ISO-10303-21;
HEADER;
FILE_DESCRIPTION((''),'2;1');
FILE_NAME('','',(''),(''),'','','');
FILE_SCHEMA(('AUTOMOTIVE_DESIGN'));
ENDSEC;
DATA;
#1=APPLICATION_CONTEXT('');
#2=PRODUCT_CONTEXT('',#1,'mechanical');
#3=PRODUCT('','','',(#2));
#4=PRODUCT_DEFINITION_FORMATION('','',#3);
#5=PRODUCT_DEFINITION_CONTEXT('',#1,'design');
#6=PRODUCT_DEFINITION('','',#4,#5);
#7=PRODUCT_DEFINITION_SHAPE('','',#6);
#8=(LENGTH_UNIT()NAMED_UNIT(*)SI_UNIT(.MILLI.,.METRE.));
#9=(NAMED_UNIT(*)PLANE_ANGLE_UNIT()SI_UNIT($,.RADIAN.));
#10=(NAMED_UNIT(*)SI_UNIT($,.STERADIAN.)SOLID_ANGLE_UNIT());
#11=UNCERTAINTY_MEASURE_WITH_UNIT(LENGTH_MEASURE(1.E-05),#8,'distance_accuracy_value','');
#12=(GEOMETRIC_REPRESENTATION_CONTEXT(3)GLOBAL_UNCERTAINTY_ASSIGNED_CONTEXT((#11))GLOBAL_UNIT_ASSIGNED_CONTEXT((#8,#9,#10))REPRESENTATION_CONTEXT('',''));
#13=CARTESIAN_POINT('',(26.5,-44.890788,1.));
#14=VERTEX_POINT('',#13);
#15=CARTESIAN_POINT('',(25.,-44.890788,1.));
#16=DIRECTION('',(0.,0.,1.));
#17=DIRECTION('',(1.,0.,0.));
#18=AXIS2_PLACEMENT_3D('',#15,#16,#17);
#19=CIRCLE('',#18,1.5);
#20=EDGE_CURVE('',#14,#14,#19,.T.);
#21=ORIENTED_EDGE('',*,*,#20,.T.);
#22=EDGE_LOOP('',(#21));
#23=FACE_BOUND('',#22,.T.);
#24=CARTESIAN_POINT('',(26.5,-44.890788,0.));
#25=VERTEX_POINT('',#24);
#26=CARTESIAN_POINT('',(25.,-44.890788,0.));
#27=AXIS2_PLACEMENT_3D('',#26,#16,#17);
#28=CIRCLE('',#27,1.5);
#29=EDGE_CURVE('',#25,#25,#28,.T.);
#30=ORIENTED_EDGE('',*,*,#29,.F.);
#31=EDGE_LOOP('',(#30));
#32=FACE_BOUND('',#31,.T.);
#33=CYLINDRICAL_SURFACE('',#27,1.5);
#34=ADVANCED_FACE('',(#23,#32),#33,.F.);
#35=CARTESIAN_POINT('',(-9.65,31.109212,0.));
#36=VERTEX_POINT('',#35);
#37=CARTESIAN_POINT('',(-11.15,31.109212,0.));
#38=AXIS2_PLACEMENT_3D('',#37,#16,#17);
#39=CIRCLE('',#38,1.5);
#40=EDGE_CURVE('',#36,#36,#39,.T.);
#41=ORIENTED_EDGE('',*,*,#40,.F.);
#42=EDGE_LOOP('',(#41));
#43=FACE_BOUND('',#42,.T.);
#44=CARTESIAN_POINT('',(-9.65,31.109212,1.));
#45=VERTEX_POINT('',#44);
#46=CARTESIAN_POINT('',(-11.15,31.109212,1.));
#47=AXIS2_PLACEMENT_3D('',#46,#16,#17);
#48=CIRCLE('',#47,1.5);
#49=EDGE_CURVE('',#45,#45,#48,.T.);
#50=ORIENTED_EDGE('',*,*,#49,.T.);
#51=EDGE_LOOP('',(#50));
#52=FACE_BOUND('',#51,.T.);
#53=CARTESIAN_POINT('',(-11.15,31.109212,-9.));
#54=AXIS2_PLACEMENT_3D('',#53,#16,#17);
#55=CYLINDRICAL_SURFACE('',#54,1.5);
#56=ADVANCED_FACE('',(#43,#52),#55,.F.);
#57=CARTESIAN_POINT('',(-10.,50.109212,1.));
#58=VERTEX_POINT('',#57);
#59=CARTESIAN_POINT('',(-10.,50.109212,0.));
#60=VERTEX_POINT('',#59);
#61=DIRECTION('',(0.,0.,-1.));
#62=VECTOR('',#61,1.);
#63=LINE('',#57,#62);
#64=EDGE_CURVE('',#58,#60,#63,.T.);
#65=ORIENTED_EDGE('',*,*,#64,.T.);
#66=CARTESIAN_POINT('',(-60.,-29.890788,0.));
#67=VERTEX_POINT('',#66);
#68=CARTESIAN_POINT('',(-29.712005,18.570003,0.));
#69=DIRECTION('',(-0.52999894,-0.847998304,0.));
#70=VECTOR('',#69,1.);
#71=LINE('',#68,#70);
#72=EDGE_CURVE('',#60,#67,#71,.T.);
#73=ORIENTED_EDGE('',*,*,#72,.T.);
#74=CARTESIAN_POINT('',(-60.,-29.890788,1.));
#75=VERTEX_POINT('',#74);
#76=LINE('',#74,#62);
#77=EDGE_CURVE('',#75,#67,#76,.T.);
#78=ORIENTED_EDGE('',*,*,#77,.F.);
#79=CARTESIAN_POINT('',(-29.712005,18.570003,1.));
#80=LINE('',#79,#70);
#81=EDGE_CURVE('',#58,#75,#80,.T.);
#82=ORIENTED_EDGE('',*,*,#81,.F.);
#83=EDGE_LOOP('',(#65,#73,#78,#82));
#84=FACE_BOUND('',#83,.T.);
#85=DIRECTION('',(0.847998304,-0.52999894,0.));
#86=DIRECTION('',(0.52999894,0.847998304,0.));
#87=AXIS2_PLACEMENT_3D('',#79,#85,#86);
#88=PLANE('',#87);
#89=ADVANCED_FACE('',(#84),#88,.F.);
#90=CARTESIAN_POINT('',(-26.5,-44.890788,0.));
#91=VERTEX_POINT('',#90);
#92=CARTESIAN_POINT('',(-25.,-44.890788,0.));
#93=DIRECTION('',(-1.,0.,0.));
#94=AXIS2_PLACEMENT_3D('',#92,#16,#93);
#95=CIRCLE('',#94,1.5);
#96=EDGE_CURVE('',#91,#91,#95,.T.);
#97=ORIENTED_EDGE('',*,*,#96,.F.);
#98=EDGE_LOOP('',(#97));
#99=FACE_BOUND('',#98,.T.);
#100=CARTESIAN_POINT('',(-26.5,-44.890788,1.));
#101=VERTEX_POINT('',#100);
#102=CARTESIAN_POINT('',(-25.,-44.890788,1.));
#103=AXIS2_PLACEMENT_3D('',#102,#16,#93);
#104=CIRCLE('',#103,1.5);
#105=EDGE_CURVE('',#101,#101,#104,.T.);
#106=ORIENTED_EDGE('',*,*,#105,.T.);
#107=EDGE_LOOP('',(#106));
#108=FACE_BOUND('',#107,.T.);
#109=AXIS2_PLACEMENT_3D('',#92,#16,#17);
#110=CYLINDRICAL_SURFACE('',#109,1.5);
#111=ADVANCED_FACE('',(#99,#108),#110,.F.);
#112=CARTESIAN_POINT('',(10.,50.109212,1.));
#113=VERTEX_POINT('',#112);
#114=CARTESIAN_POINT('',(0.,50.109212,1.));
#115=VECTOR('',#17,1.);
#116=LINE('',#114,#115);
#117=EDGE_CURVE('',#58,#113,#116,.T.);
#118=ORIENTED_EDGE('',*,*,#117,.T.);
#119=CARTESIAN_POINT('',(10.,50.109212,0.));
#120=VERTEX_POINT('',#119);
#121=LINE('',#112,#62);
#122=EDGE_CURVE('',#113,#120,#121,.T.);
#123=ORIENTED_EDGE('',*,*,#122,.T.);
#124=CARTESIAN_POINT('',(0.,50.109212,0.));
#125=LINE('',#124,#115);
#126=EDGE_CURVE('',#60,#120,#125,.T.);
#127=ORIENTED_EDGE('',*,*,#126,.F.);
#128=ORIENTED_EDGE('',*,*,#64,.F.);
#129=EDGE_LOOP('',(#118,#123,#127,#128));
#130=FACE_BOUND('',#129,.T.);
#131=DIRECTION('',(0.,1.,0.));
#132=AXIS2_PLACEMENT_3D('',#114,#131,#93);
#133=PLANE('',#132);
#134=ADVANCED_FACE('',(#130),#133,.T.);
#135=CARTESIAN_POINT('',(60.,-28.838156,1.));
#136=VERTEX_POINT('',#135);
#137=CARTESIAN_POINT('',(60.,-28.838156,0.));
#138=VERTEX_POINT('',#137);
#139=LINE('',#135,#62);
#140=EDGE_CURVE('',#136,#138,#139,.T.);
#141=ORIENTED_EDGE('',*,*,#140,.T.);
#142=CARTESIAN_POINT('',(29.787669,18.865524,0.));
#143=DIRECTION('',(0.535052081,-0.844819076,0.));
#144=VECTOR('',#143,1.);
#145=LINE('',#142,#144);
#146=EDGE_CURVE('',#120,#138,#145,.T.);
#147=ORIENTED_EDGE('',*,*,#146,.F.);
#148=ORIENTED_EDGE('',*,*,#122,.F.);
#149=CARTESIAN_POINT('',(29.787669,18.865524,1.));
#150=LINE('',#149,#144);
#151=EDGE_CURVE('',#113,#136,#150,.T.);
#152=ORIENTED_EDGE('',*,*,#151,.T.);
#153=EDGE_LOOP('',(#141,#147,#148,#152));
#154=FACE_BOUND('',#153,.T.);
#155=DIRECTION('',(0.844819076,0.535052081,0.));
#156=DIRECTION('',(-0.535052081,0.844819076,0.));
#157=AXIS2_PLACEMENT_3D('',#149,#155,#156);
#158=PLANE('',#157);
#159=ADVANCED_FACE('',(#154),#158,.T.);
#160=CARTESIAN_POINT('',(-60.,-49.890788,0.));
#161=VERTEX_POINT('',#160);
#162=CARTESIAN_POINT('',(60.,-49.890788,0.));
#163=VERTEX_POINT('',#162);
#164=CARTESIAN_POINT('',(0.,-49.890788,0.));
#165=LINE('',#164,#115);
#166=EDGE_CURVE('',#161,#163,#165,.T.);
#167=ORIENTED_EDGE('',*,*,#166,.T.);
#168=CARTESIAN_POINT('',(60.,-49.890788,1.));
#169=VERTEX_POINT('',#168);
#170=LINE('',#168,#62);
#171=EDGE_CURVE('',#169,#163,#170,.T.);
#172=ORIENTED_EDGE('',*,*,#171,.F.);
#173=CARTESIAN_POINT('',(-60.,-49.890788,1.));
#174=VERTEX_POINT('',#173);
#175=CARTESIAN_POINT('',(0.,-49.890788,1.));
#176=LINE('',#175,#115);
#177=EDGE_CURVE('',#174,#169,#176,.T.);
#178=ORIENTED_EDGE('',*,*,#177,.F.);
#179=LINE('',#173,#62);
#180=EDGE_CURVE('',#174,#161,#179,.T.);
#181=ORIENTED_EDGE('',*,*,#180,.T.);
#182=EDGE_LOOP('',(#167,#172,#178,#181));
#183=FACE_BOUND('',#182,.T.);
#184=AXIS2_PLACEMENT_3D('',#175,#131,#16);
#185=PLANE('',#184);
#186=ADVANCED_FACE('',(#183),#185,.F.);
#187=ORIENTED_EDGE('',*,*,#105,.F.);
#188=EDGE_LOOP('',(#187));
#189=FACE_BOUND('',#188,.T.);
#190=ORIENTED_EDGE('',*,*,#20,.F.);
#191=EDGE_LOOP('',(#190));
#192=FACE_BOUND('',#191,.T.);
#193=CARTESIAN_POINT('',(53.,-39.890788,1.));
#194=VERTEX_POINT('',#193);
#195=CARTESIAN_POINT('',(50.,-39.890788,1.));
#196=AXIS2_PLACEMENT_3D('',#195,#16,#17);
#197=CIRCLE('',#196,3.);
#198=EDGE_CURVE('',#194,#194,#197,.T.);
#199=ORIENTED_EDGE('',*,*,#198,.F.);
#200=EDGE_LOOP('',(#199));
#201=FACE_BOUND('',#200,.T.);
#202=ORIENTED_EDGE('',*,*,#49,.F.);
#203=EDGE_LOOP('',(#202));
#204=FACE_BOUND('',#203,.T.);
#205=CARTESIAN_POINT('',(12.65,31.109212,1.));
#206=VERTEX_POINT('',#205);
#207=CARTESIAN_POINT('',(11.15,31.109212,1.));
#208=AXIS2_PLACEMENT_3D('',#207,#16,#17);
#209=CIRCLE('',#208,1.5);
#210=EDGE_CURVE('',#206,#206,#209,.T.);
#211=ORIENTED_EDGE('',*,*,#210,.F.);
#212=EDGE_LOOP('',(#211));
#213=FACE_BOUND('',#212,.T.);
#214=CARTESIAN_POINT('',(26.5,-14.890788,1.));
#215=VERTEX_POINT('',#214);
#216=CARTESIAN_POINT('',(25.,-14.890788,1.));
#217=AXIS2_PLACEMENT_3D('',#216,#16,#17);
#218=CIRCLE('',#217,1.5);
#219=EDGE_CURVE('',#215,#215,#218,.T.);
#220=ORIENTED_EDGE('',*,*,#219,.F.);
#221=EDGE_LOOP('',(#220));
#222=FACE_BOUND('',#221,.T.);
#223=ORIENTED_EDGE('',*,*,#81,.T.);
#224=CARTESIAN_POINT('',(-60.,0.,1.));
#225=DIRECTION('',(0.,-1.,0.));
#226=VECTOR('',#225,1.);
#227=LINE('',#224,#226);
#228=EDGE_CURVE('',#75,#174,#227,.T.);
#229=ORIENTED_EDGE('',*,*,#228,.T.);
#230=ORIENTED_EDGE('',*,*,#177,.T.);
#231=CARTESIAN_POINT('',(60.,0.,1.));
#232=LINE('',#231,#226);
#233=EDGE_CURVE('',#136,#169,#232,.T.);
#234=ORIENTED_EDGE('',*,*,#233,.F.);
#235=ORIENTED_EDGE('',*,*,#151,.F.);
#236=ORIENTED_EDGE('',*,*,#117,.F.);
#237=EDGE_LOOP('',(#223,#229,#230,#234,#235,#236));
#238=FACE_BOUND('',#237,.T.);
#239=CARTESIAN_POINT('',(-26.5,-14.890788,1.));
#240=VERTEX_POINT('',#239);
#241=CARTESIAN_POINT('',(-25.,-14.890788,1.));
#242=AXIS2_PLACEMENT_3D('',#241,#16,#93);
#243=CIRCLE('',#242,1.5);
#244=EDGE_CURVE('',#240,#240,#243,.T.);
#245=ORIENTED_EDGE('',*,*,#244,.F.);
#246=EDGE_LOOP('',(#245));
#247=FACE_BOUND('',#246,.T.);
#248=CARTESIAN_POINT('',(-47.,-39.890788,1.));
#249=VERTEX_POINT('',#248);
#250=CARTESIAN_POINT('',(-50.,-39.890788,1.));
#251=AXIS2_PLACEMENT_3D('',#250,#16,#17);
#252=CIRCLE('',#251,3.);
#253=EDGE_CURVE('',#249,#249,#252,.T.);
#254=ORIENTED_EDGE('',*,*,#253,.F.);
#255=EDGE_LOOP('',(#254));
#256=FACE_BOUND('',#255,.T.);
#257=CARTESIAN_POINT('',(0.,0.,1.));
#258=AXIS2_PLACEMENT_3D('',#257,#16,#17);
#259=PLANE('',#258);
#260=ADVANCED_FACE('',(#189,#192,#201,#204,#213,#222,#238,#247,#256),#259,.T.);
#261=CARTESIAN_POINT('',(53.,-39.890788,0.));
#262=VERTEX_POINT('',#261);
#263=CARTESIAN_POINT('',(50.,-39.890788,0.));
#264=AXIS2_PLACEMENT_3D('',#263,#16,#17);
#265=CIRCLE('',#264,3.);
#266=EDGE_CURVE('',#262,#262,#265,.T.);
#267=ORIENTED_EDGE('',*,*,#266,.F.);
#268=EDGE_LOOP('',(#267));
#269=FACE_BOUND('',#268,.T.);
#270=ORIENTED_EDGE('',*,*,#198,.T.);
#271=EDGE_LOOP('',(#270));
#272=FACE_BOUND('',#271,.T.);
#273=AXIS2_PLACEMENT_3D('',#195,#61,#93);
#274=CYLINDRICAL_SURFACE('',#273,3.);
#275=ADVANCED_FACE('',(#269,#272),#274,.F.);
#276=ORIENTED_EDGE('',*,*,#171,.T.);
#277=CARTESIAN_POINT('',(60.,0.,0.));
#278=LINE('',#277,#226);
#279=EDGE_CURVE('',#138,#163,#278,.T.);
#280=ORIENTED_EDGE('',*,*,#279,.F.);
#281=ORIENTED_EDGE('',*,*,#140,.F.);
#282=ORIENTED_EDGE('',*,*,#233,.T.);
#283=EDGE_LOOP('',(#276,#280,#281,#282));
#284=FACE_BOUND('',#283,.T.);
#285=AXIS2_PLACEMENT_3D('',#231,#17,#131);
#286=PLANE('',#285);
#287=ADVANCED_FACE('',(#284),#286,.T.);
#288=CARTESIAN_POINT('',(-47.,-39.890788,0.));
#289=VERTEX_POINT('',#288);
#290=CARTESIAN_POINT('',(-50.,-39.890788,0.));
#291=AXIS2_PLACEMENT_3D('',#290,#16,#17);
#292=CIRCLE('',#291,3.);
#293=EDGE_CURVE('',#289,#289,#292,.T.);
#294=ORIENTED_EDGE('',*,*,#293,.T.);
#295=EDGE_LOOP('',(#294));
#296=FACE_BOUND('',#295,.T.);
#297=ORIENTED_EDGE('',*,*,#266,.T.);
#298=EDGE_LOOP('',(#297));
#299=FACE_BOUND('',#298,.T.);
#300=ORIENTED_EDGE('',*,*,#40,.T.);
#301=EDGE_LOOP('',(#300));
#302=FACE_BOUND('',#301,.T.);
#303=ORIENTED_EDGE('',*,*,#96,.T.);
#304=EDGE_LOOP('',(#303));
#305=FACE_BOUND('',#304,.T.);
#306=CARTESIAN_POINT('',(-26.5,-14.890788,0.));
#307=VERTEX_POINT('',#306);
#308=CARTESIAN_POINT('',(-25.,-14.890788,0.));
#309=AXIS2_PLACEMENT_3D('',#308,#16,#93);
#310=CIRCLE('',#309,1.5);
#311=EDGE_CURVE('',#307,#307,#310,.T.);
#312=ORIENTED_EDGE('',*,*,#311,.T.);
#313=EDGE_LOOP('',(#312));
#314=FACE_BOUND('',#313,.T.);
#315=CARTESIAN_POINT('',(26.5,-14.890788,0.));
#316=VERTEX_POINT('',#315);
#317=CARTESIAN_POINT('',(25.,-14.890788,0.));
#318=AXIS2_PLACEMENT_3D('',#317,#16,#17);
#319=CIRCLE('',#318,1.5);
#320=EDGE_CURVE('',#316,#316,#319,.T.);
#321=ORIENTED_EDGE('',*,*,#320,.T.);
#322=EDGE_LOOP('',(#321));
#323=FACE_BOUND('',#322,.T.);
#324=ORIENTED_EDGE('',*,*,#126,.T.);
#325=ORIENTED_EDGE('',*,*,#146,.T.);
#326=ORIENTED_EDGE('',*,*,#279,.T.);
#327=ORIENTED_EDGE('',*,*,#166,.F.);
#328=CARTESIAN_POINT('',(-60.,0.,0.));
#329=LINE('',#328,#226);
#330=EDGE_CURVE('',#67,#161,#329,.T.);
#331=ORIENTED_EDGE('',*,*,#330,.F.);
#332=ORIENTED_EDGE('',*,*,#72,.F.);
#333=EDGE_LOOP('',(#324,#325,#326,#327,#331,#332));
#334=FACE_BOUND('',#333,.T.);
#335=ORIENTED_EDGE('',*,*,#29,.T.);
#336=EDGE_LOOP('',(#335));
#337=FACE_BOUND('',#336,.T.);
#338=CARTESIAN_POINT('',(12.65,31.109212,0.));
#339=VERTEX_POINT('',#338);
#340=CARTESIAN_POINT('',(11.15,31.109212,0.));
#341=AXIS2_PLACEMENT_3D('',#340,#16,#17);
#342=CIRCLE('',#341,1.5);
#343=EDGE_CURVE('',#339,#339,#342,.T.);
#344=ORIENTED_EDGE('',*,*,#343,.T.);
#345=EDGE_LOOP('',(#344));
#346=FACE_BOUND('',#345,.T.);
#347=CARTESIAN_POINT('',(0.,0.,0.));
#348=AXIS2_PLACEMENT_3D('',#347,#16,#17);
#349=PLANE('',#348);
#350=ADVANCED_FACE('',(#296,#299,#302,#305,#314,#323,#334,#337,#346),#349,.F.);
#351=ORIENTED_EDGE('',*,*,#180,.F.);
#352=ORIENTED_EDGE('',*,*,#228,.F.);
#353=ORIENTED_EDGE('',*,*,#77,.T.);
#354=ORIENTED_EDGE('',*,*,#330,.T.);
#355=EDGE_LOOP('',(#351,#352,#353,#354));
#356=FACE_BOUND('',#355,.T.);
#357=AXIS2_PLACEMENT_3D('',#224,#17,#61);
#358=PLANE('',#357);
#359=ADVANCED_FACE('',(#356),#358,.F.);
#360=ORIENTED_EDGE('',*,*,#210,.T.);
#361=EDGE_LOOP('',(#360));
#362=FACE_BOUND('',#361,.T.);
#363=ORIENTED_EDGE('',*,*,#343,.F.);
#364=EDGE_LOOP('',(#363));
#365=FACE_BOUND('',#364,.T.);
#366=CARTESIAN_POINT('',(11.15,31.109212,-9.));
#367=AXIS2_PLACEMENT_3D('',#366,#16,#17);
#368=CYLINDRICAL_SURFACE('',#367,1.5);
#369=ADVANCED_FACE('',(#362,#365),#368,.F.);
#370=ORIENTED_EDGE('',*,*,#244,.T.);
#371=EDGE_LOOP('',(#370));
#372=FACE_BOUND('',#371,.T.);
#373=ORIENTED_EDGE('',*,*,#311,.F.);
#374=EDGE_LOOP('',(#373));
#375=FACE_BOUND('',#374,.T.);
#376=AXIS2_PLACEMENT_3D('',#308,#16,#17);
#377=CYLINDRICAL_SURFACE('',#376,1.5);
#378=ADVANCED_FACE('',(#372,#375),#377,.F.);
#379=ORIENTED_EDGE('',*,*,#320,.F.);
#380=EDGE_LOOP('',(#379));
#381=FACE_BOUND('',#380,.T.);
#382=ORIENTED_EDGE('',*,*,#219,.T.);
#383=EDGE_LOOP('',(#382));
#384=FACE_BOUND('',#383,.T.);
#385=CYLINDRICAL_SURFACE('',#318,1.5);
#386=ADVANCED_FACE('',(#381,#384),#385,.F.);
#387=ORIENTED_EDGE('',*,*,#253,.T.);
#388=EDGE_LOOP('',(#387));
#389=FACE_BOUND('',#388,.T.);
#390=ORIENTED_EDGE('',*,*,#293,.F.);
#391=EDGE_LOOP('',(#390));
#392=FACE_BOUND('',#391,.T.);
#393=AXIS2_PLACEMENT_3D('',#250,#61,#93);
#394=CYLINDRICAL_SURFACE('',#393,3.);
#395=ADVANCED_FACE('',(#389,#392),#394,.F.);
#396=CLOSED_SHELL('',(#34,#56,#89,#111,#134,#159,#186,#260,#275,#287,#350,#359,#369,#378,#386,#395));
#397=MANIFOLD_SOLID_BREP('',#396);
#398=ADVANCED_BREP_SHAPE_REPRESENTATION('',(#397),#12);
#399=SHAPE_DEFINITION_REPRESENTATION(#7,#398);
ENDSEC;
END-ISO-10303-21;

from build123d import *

# Parameters (mm, degrees)
SKETCH_1_R          = 3
EXTRUDE_2_DEPTH     = 1
SKETCH_3_R          = 1.5
CUT_EXTRUDE_1_DEPTH = 10
SKETCH_5_R          = 1.5
CUT_EXTRUDE_2_DEPTH = 1


with BuildPart() as part:
    # 草图1 → 凸台-拉伸2 (new body)
    with BuildSketch(Plane.XY):
        Polygon((-10, 50.109212084), (10, 50.109212084), (60, -28.838156337), (60, -49.890787916), (-60, -49.890787916), (-60, -29.890787916), align=None)
        with Locations((-50, -39.890787916)):
            Circle(SKETCH_1_R, mode=Mode.SUBTRACT)
        with Locations((50, -39.890787916)):
            Circle(SKETCH_1_R, mode=Mode.SUBTRACT)
    extrude(amount=EXTRUDE_2_DEPTH)

    # 草图3 → 切除-拉伸1 (cut)
    with BuildSketch(Plane.XY.offset(1)):
        with Locations((-11.15, 31.109212084)):
            Circle(SKETCH_3_R)
        with Locations((11.15, 31.109212084)):
            Circle(SKETCH_3_R)
    extrude(amount=-CUT_EXTRUDE_1_DEPTH, mode=Mode.SUBTRACT)

    # 草图5 → 切除-拉伸2 (cut)
    with BuildSketch(Plane.XY.offset(1)):
        with Locations((25, -14.890787916)):
            Circle(SKETCH_5_R)
        with Locations((25, -44.890787916)):
            Circle(SKETCH_5_R)
        with Locations(Location((-25, -44.890787916, 0), (0, 0, 180))):
            Circle(SKETCH_5_R)
        with Locations(Location((-25, -14.890787916, 0), (0, 0, 180))):
            Circle(SKETCH_5_R)
    extrude(amount=-CUT_EXTRUDE_2_DEPTH, mode=Mode.SUBTRACT)


solid = part.part
